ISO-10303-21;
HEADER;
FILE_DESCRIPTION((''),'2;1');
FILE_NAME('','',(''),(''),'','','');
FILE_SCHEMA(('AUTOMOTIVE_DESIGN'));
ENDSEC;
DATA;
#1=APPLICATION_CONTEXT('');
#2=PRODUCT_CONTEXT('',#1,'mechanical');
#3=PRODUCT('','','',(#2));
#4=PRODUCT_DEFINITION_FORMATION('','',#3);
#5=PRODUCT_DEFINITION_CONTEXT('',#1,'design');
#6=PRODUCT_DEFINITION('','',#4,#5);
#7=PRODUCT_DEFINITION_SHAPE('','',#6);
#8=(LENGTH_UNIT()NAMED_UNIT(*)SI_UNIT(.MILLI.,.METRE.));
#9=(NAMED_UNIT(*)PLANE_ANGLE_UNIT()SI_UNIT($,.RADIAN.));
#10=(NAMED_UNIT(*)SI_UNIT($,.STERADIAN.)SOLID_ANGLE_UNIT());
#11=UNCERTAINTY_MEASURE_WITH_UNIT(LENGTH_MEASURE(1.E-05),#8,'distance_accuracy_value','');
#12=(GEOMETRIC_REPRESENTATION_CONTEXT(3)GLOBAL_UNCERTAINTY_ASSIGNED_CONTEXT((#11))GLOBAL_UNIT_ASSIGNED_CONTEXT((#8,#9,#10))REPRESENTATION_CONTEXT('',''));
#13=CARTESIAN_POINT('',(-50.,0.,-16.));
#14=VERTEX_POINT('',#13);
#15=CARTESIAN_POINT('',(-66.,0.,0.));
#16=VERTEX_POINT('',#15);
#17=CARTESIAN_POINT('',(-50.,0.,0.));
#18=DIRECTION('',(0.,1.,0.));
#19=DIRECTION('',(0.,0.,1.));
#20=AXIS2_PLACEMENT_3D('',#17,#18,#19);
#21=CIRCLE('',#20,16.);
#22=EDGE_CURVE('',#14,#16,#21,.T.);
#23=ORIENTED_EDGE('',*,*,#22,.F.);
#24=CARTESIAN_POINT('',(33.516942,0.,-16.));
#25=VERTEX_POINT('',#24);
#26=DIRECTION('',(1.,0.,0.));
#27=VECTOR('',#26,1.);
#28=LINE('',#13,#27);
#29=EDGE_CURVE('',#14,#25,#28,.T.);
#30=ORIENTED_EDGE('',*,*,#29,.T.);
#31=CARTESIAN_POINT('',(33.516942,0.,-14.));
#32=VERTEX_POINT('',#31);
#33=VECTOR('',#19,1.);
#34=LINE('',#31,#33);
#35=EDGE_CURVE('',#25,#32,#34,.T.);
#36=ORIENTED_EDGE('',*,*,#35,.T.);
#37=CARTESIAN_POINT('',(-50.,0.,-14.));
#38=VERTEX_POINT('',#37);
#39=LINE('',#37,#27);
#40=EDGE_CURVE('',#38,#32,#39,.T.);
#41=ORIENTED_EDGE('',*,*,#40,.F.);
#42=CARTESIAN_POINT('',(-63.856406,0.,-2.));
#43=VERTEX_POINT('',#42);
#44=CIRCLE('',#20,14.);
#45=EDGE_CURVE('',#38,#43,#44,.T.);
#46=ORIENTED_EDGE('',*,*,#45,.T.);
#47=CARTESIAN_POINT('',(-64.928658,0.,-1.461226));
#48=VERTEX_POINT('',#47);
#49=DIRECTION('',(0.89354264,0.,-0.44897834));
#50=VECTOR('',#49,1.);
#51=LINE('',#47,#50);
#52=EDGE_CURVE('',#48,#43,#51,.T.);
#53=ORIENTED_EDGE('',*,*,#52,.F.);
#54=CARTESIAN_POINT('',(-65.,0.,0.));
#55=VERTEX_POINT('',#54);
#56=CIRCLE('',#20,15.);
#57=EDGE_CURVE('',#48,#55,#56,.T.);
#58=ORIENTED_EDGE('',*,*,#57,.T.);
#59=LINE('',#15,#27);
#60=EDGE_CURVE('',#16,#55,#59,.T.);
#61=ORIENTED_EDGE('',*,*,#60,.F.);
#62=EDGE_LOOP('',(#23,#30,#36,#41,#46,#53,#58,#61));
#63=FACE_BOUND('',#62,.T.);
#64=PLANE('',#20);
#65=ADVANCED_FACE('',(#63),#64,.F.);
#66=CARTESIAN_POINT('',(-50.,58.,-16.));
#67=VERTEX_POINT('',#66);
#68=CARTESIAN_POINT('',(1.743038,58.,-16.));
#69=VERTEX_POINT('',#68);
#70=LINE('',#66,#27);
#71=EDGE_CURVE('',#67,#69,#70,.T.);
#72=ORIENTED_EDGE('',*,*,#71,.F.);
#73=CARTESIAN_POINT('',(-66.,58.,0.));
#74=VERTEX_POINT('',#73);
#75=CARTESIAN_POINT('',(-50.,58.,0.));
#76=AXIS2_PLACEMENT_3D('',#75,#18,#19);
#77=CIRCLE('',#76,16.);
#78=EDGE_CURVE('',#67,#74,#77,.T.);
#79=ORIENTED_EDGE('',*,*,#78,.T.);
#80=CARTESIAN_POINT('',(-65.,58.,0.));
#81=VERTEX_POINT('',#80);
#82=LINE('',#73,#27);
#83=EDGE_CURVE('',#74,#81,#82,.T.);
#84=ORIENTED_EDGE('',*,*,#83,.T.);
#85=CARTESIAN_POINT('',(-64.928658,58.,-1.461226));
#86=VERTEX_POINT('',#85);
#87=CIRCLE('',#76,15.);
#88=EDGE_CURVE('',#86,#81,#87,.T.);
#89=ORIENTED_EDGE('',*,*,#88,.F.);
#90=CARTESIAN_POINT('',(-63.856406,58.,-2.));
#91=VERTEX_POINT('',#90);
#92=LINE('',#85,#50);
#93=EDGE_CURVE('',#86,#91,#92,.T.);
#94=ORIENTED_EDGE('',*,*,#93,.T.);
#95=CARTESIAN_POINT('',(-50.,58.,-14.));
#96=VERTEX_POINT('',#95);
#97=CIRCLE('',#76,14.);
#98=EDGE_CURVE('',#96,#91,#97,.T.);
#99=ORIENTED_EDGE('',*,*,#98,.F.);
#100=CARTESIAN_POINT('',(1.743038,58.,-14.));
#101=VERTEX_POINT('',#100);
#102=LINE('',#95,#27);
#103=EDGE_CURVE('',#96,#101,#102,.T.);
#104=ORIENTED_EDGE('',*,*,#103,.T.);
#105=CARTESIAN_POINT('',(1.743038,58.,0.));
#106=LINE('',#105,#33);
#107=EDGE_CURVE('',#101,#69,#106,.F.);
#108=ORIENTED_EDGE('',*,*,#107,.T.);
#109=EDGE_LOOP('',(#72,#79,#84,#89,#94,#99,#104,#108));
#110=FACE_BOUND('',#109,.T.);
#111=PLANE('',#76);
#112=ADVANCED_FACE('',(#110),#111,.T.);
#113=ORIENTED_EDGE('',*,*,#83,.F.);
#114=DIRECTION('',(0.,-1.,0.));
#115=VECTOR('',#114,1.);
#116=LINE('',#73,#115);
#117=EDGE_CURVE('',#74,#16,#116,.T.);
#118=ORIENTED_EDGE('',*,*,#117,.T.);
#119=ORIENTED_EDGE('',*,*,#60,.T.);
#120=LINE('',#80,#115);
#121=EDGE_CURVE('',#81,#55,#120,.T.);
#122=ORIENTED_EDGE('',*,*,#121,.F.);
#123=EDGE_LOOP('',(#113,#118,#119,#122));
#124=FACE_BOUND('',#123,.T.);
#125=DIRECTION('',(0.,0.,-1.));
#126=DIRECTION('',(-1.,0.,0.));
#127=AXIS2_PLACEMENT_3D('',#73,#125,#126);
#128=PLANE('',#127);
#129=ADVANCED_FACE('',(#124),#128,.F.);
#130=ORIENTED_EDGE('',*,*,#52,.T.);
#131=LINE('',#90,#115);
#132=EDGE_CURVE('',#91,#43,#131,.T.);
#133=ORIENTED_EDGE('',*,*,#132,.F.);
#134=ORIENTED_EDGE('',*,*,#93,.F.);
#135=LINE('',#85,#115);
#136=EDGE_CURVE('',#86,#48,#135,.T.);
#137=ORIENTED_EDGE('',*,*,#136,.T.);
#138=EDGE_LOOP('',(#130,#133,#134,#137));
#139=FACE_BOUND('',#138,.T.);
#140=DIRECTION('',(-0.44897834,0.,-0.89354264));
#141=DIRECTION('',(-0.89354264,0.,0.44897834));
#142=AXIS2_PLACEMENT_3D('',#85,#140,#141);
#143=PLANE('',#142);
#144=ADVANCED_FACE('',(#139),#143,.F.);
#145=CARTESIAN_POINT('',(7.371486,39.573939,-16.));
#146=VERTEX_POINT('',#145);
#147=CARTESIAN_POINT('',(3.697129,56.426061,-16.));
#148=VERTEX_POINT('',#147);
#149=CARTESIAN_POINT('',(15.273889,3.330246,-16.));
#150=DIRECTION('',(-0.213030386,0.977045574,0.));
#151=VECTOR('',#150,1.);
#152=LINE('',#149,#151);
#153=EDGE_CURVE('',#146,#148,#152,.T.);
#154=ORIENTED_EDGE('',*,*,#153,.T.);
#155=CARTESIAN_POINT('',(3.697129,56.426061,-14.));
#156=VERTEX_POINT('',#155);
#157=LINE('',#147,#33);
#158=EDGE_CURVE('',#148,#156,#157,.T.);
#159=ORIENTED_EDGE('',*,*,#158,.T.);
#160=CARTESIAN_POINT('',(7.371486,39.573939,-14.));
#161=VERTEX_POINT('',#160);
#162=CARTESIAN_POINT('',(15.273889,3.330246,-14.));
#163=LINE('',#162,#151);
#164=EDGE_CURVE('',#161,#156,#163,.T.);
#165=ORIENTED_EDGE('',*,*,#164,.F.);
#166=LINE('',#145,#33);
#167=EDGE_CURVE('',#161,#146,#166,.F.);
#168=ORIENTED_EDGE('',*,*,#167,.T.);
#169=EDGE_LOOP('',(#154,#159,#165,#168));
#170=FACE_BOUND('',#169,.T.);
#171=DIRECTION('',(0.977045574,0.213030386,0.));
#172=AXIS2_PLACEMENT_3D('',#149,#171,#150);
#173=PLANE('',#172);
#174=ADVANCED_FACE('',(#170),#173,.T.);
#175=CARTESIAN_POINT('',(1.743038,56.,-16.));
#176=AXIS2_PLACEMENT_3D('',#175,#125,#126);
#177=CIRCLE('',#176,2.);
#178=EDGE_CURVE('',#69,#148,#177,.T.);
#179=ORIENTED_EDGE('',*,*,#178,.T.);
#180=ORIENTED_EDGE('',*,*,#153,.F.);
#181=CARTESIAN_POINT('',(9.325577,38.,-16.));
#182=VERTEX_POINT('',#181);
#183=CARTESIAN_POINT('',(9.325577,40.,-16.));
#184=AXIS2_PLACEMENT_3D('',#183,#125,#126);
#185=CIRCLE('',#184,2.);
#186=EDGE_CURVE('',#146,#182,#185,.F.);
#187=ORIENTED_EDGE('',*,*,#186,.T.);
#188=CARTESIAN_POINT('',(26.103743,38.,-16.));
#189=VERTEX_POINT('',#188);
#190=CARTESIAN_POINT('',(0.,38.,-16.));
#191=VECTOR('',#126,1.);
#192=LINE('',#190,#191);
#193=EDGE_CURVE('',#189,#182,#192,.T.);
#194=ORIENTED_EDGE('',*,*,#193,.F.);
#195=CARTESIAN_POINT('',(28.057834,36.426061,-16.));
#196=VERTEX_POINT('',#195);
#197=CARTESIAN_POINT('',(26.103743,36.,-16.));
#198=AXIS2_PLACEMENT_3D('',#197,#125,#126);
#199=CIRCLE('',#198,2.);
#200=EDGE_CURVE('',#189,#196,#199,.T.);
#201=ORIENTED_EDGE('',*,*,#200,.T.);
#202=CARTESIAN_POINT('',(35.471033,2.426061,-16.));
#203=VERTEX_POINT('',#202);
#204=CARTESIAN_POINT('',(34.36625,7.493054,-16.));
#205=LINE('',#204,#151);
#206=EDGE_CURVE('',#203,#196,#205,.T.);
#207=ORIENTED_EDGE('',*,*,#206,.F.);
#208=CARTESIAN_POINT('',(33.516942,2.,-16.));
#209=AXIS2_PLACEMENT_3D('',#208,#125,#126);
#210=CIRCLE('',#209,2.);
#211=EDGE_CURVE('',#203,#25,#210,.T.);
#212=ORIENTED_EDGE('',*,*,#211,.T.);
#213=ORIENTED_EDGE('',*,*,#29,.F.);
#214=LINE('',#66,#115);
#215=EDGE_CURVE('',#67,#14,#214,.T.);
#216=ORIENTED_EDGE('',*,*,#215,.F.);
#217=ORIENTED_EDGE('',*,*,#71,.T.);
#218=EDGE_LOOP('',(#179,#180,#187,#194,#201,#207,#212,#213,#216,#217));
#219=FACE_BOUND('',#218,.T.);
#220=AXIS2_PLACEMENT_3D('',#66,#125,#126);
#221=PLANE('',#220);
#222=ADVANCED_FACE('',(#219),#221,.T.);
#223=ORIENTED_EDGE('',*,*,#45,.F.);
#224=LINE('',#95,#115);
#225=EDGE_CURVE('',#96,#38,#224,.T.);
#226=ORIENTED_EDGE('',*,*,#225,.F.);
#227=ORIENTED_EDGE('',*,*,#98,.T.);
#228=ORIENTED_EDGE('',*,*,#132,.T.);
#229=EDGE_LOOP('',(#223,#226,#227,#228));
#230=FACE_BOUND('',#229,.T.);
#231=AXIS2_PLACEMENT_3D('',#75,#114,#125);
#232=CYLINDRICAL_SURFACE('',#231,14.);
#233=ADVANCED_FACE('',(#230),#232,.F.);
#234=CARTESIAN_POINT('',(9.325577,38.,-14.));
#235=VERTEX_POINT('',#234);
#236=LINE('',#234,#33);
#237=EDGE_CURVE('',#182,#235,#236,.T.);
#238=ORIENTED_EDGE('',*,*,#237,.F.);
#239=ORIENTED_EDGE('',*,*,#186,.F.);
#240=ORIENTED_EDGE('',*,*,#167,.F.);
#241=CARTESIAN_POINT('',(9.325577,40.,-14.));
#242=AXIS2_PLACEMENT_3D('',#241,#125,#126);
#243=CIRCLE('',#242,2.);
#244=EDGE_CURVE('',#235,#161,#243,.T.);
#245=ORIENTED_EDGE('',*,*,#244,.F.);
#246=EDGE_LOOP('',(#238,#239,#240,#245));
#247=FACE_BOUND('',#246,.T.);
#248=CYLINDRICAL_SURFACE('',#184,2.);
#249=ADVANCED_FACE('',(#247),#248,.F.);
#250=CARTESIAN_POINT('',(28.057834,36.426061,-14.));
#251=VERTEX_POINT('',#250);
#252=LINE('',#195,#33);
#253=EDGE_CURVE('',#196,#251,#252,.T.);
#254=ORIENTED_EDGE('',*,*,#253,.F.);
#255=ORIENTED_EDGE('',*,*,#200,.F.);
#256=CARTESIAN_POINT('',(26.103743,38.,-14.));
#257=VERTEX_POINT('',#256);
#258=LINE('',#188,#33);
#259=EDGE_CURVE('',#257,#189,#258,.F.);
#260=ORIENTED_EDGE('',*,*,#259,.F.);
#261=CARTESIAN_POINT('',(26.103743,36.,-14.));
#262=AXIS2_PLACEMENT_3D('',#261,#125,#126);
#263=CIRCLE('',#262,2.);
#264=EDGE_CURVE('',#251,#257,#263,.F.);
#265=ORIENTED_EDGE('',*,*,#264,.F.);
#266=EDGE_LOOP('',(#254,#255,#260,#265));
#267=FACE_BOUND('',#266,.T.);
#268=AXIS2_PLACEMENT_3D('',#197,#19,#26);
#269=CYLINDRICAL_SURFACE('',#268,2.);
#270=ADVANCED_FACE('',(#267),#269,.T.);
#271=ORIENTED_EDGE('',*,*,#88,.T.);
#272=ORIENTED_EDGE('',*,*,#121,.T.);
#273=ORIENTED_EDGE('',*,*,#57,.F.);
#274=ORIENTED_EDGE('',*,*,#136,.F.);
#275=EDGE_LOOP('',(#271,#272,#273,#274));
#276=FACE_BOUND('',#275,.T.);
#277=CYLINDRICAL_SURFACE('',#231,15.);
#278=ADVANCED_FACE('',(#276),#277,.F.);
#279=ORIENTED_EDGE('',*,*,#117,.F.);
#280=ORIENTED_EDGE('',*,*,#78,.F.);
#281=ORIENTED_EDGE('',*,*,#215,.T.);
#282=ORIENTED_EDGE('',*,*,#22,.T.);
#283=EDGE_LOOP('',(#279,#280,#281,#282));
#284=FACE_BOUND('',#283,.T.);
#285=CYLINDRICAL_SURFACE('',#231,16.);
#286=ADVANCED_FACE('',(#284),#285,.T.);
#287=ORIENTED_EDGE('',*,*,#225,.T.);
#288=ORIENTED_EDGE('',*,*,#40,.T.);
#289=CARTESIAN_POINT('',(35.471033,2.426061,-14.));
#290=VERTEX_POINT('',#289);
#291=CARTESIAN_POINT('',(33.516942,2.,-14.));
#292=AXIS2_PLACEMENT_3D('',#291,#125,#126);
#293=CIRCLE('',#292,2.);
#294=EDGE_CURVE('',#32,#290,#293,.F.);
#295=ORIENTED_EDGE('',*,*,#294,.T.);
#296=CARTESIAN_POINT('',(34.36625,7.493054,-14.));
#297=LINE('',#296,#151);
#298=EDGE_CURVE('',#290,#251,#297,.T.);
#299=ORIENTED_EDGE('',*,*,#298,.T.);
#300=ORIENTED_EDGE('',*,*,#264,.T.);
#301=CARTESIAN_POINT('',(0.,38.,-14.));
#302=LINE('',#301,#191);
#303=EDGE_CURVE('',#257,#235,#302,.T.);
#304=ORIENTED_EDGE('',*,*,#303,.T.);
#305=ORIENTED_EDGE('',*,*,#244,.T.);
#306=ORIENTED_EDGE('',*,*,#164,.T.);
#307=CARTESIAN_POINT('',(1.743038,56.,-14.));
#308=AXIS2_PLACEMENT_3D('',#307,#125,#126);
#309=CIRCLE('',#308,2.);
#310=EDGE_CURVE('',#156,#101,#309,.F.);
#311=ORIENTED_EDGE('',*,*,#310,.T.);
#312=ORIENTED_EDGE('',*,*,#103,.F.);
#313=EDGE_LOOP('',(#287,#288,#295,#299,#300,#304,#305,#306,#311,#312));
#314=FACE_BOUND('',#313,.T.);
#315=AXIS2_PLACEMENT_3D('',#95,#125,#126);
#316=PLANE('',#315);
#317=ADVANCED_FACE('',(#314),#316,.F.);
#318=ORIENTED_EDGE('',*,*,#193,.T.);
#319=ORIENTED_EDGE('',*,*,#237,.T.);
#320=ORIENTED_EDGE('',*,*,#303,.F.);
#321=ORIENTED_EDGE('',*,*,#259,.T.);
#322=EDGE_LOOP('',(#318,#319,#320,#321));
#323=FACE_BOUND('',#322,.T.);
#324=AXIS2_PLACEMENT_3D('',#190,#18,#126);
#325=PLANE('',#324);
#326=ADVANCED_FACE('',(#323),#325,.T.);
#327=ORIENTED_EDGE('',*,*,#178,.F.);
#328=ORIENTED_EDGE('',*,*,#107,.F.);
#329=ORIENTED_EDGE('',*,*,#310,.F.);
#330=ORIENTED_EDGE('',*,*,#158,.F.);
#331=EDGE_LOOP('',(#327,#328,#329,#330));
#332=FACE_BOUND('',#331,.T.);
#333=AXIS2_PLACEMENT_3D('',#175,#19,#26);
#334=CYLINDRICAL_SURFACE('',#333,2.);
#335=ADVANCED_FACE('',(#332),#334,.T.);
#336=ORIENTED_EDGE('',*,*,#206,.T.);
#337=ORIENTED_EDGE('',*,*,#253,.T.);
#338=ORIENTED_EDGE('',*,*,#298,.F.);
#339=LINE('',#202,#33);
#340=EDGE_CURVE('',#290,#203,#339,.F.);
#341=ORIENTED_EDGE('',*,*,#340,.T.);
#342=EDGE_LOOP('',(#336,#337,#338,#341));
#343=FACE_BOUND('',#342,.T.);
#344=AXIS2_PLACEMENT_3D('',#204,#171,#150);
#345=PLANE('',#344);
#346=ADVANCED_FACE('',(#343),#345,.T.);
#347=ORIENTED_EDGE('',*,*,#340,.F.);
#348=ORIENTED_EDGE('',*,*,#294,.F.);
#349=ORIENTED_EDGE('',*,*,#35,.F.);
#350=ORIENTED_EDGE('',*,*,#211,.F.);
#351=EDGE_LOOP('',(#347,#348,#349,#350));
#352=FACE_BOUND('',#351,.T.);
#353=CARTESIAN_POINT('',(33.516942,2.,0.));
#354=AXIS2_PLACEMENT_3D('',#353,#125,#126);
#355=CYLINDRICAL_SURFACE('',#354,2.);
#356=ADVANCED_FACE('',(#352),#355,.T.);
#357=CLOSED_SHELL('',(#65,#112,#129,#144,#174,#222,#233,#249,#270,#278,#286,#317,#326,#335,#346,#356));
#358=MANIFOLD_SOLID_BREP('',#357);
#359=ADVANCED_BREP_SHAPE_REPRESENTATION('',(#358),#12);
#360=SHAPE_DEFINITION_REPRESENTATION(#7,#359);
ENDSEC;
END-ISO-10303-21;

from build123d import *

# Parameters (mm, degrees)
BOSS_EXTRUDE1_DEPTH = 58
CUT_EXTRUDE2_DEPTH  = 2
FILLET1_R           = 2


with BuildPart() as part:
    # Sketch1 → Boss-Extrude1 (new body)
    with BuildSketch(Plane(origin=(0, 0, 0), x_dir=(1, 0, 0), z_dir=(0, 1, 0))):
        with BuildLine():
            Line((-50, 16), (36, 16))
            Line((36, 16), (36, 14))
            Line((36, 14), (-50, 14))
            ThreePointArc((-50, 14), (-59.16515139, 10.583005244), (-63.856406461, 2))
            Line((-63.856406461, 2), (-64.928657629, 1.461225992))
            ThreePointArc((-64.928657629, 1.461225992), (-64.982153791, 0.731483276), (-65, 0))
            Line((-65, 0), (-66, 0))
            ThreePointArc((-66, 0), (-61.313708499, 11.313708499), (-50, 16))
        make_face()
    extrude(amount=BOSS_EXTRUDE1_DEPTH)

    # Sketch2 → Cut-Extrude2 (cut)
    with BuildSketch(Plane.XY.offset(-14)):
        Polygon((36, 58), (12.87566783, 58), (3.353954895, 58), (7.714660104, 38), (27.714660104, 38), (36, 0), align=None)
    extrude(amount=-CUT_EXTRUDE2_DEPTH, mode=Mode.SUBTRACT)

    # Fillet1
    fillet1_edges = [part.edges().sort_by_distance(p)[0] for p in [
        (36, 0, -15),
        (7.714660104, 38, -15),
        (3.353954895, 58, -15),
        (27.714660104, 38, -15),
    ]]
    fillet(fillet1_edges, radius=FILLET1_R)


solid = part.part
